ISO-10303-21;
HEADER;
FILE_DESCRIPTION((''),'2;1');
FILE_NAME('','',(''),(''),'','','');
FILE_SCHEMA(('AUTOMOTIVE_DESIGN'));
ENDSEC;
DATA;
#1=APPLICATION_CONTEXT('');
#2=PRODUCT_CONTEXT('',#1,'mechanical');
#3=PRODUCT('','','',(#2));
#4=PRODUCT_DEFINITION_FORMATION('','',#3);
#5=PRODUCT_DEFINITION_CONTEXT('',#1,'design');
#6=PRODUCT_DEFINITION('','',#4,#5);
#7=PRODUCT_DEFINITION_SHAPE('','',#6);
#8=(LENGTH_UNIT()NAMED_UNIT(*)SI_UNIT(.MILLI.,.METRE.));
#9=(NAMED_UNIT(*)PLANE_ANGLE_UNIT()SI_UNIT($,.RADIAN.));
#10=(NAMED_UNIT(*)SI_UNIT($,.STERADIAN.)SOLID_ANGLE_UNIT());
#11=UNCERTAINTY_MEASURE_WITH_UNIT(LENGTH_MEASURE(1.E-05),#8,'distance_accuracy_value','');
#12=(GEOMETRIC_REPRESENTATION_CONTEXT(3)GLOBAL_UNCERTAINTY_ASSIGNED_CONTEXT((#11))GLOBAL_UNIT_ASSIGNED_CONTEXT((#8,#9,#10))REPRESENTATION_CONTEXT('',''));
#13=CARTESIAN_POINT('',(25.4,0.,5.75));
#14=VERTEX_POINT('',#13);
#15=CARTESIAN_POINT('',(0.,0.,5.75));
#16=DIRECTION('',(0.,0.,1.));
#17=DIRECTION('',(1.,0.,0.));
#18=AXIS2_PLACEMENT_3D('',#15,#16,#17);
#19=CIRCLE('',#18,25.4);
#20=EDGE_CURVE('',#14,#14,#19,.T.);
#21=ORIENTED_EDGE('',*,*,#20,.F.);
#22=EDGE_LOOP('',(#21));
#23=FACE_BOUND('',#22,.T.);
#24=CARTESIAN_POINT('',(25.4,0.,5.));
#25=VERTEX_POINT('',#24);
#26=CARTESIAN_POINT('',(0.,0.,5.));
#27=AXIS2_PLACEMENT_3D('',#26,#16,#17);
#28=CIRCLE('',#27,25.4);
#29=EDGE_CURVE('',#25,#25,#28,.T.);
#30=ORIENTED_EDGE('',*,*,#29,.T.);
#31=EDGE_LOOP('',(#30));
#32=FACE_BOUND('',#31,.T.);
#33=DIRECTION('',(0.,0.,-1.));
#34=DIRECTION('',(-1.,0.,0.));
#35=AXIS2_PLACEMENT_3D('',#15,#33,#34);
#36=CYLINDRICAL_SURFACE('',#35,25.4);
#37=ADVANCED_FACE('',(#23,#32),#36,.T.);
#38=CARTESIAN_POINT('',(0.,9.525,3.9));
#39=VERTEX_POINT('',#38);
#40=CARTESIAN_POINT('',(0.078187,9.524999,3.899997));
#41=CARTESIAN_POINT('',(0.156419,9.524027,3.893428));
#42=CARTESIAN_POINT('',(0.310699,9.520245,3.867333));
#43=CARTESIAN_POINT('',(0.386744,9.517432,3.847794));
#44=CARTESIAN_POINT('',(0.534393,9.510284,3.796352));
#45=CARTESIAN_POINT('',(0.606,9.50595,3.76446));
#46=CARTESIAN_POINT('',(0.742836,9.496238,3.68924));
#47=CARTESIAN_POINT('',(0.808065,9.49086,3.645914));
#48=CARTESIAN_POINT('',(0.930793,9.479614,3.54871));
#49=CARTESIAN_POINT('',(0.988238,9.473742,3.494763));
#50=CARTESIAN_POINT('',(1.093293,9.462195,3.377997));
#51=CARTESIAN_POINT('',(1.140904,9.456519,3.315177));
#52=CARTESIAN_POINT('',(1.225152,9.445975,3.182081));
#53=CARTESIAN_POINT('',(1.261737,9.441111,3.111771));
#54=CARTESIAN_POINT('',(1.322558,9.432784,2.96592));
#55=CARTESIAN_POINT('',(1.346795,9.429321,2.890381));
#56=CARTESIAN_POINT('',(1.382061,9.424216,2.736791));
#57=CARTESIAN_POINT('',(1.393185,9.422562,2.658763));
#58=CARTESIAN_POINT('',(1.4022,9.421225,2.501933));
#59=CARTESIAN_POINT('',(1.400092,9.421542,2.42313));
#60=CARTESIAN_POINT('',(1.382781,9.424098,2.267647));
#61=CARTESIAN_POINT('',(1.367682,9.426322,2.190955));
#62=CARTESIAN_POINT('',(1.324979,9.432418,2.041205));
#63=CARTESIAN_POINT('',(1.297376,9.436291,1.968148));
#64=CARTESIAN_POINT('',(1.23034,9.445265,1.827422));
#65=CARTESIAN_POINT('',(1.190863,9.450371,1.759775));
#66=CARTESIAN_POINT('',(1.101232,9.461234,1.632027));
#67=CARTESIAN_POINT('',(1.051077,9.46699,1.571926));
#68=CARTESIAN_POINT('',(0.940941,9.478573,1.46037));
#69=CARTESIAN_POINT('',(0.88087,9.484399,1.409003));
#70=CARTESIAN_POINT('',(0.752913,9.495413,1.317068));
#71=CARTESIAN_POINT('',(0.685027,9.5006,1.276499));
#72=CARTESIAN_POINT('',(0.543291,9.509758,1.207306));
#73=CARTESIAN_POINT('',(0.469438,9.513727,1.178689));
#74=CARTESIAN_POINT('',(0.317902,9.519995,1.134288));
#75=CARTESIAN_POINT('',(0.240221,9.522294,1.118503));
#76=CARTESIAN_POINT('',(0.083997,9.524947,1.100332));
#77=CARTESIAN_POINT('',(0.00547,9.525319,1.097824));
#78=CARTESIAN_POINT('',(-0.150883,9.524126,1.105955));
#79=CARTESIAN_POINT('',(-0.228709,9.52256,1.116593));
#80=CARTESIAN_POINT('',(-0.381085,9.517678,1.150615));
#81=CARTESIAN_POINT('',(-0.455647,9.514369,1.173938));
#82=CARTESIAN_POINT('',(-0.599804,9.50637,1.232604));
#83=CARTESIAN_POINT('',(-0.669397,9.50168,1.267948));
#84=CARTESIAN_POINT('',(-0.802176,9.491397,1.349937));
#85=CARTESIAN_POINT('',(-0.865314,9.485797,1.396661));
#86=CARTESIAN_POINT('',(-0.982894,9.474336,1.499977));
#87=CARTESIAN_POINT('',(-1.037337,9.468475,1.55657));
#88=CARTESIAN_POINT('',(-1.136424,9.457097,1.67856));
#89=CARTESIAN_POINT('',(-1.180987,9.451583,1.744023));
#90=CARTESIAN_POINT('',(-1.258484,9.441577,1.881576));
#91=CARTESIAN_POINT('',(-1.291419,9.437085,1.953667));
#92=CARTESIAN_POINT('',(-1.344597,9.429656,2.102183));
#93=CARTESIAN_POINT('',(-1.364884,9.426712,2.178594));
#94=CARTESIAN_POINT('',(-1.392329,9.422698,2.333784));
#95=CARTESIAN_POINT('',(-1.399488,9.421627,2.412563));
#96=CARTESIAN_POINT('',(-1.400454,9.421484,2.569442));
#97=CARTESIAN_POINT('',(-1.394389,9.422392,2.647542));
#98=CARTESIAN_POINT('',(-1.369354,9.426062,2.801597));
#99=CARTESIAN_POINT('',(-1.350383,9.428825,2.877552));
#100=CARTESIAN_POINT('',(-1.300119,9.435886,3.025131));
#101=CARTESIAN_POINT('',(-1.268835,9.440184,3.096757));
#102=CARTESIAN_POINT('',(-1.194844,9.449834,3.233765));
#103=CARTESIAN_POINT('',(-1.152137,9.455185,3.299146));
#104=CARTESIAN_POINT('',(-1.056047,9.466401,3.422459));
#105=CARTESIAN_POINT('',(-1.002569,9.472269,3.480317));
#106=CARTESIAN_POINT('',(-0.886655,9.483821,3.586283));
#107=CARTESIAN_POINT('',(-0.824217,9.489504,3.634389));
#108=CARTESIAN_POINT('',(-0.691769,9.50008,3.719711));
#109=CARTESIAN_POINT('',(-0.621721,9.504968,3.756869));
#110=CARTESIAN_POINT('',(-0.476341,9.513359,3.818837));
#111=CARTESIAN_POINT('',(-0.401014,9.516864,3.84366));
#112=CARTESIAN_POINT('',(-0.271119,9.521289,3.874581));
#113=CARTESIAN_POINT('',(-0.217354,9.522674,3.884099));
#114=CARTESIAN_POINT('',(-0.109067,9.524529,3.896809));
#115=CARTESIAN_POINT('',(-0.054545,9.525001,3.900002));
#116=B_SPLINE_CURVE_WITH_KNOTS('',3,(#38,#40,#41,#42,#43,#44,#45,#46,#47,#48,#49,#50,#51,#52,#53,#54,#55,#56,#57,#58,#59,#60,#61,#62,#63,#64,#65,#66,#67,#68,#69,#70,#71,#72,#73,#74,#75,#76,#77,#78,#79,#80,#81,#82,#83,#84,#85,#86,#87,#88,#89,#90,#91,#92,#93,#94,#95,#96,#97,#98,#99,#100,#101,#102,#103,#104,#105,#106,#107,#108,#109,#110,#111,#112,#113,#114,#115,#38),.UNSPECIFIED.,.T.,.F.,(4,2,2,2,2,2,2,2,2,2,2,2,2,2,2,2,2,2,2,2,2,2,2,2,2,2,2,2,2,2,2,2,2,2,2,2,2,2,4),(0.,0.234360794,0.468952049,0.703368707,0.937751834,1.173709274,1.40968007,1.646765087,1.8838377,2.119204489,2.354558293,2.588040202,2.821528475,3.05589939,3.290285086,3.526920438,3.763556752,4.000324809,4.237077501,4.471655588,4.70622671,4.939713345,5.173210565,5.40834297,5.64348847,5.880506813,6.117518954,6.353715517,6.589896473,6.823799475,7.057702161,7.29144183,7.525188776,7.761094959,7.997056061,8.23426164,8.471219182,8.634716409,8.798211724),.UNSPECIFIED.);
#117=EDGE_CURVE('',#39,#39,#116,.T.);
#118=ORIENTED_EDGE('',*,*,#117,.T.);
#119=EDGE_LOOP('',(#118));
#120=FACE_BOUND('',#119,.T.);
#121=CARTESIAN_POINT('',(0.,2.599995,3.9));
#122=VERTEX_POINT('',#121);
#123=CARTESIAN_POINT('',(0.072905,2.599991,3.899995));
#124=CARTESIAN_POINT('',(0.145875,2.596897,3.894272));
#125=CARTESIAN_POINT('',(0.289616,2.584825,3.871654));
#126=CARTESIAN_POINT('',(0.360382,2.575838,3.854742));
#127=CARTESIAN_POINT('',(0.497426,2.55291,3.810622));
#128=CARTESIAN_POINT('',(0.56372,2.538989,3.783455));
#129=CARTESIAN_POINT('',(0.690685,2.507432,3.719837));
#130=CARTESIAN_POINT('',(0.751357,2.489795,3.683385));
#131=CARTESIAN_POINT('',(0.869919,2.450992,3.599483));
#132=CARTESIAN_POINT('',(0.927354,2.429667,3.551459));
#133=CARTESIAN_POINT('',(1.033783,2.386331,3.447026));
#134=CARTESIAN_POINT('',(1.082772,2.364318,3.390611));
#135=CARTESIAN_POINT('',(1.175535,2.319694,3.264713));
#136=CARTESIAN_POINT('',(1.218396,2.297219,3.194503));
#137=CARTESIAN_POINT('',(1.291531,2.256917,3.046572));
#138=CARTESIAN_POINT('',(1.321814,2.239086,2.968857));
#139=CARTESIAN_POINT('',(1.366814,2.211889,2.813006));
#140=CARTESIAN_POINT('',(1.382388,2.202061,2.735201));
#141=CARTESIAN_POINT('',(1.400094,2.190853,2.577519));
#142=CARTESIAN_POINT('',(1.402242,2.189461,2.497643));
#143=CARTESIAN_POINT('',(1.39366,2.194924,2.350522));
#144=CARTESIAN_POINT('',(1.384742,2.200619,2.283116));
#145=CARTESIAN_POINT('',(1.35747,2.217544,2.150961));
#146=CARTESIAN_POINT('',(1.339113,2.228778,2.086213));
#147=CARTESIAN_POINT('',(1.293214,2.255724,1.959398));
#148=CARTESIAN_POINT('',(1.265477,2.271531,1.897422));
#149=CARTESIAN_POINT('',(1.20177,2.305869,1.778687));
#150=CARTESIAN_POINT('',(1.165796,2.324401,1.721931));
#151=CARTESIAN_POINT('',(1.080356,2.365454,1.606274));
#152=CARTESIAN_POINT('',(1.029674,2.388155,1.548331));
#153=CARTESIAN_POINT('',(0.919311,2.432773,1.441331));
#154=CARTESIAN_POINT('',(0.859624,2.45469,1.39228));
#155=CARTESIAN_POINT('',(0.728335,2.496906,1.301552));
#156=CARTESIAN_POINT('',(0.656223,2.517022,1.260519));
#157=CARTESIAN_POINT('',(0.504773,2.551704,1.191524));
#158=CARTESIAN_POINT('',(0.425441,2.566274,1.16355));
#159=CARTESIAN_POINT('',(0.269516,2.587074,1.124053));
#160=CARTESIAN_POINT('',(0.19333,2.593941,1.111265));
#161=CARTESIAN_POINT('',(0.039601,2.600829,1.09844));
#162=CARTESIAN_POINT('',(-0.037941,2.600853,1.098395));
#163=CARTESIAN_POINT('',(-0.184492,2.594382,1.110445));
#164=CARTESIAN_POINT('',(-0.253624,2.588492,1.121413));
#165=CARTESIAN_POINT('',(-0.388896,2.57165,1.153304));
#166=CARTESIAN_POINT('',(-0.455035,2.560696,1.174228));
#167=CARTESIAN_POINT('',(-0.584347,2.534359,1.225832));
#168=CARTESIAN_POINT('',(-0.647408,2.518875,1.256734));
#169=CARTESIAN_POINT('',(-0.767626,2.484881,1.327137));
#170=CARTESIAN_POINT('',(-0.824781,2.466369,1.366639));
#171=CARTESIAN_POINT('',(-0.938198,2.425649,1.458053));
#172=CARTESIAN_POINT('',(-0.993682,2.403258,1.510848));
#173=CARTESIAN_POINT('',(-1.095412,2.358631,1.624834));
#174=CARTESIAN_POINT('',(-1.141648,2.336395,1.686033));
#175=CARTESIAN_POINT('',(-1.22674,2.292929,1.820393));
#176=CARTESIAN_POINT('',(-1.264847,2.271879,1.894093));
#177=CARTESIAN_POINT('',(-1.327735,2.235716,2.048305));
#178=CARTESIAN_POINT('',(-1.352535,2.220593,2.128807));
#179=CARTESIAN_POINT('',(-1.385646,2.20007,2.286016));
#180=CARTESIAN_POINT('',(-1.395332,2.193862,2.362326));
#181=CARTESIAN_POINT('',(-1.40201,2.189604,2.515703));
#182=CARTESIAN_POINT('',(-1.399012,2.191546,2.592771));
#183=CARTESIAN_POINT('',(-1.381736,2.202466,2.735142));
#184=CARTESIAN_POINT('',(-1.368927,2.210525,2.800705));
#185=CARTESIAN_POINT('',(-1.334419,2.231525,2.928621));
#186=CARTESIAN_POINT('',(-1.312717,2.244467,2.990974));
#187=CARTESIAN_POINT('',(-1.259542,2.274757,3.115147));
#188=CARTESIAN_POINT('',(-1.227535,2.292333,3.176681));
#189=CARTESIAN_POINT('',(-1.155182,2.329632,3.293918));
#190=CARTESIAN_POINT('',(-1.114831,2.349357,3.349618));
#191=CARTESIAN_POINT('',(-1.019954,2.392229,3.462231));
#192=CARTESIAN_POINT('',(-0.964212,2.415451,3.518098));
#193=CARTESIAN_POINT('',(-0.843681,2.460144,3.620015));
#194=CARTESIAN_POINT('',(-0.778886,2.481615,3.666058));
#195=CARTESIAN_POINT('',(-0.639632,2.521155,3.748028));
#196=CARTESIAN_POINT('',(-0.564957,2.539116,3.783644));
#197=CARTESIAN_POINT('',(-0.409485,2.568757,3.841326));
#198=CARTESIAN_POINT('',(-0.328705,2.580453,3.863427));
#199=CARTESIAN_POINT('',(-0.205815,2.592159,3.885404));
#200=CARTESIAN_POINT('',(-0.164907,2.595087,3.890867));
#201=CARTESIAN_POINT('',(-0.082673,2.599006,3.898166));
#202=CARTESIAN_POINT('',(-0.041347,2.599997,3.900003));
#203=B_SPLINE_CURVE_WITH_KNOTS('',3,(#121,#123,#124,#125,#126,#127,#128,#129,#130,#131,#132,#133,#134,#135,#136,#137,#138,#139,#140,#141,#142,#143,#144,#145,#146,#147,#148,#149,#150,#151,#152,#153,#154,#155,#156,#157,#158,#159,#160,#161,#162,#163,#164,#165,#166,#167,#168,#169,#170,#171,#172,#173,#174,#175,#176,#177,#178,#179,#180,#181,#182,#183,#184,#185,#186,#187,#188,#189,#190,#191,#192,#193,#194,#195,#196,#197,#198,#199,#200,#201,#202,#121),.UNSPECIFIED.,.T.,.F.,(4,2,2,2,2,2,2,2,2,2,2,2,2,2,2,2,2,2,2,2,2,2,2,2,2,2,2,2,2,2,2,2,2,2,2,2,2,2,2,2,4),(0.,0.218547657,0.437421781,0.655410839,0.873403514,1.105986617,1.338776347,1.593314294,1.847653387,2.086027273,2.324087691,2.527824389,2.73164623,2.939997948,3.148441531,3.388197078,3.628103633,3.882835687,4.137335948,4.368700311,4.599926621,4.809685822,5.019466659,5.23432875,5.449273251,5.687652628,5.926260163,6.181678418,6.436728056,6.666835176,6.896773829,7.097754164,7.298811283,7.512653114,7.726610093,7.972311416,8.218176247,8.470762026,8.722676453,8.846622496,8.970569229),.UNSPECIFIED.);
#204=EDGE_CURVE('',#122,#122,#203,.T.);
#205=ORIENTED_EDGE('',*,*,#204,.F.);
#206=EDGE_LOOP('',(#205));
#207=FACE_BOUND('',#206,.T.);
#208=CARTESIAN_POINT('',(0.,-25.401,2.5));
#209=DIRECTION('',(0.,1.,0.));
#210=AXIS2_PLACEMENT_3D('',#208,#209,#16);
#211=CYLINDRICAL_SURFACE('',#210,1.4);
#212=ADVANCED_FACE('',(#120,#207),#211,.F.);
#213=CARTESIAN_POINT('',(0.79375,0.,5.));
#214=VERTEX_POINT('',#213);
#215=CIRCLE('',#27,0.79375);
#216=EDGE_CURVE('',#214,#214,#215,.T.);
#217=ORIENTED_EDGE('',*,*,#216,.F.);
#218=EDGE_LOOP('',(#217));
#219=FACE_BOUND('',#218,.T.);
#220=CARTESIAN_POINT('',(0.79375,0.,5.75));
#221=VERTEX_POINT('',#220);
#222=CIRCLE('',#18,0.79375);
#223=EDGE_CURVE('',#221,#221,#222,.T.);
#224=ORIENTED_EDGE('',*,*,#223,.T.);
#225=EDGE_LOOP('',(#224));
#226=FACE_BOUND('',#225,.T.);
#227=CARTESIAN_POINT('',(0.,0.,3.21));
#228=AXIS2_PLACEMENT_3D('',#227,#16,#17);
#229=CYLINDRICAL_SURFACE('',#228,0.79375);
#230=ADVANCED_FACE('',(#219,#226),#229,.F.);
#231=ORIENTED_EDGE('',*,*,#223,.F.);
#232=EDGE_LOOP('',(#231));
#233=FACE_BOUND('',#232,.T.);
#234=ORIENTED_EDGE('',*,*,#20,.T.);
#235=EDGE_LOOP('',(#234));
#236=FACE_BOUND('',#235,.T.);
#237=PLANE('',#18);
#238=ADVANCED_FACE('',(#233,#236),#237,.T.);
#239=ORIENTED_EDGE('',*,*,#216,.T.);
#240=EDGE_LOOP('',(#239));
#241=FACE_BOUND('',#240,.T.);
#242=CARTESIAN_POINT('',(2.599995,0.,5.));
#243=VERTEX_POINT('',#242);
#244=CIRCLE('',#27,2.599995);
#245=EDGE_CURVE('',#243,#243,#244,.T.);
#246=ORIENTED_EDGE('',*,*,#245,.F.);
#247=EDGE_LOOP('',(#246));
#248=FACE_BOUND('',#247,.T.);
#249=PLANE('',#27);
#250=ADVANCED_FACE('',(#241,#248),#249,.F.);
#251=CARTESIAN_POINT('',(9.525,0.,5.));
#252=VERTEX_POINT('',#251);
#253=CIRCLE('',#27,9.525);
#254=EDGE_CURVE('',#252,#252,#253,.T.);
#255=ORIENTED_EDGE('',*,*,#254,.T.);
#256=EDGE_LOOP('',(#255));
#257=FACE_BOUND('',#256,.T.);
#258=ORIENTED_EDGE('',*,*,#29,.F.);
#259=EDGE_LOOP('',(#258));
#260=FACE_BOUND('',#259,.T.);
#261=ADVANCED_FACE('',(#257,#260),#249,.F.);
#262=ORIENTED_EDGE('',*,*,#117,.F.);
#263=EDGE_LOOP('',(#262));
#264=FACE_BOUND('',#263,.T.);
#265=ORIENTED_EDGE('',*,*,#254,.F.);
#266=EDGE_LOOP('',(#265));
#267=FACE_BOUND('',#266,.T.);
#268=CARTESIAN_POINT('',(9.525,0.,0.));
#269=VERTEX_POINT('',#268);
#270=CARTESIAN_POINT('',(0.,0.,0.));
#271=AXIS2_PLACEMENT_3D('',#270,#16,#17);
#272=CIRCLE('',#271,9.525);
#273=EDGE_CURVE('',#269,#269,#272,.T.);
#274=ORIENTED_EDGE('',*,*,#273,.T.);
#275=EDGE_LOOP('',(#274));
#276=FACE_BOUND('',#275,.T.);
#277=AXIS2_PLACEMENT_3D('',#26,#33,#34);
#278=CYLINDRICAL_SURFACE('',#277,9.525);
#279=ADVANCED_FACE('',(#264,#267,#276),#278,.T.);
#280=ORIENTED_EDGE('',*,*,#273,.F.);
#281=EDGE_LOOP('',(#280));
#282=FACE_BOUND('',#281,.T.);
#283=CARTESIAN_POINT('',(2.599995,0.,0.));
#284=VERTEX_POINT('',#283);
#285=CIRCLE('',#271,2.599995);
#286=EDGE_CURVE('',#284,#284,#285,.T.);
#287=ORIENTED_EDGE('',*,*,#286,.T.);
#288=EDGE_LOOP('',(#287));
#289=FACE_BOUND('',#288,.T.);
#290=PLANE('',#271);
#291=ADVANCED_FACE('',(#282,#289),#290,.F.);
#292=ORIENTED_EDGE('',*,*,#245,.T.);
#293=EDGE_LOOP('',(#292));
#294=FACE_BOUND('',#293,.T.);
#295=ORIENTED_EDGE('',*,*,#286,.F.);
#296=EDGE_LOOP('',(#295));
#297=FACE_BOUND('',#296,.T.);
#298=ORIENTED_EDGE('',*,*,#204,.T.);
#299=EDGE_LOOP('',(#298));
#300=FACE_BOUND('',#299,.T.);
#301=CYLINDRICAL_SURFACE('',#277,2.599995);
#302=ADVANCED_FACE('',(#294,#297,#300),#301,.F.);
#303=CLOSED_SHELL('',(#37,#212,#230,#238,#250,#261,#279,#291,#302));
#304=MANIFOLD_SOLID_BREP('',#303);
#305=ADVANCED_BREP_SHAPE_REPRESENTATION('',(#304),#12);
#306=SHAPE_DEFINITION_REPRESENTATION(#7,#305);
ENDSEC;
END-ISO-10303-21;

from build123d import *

# Parameters (mm, degrees)
SKETCH1_R               = 9.525
SKETCH1_R_2             = 2.599995
BOSS_EXTRUDE1_DEPTH     = 5
SKETCH2_R               = 25.4
BOSS_EXTRUDE2_DEPTH     = 0.75
SKETCH6_R               = 0.79375
CUT_EXTRUDE2_DEPTH      = 2.54
CUT_EXTRUDE3_REACH      = 45.566
CUT_EXTRUDE3_END_RADIUS = 2.599995
SKETCH7_R               = 1.4


with BuildPart() as part:
    # Sketch1 → Boss-Extrude1 (new body)
    with BuildSketch(Plane.XY):
        Circle(SKETCH1_R)
        Circle(SKETCH1_R_2, mode=Mode.SUBTRACT)
    extrude(amount=BOSS_EXTRUDE1_DEPTH)

    # Sketch2 → Boss-Extrude2 (add)
    with BuildSketch(Plane.XY.offset(5)):
        Circle(SKETCH2_R)
    extrude(amount=BOSS_EXTRUDE2_DEPTH)

    # Sketch6 → Cut-Extrude2 (cut)
    with BuildSketch(Plane.XY.offset(5.75)):
        Circle(SKETCH6_R)
    extrude(amount=-CUT_EXTRUDE2_DEPTH, mode=Mode.SUBTRACT)

    # Cut-Extrude3: up to this cylinder (the profile starts outside it)
    cut_extrude3_end = Plane(origin=(0, 0, 2.5), z_dir=(0, 0, -1)) * Cylinder(CUT_EXTRUDE3_END_RADIUS, 97.33199, mode=Mode.PRIVATE)
    # Sketch7 → Cut-Extrude3 (cut, up to the surface)
    with BuildSketch(Plane(origin=(0, 9.525, 0), x_dir=(1, 0, 0), z_dir=(0, 1, 0)), mode=Mode.PRIVATE) as cut_extrude3_sk1:
        with Locations(Location((0, -2.5, 0), (0, 0, 270))):
            Circle(SKETCH7_R)
    cut_extrude3_tool1 = extrude(cut_extrude3_sk1.sketch, amount=-CUT_EXTRUDE3_REACH, mode=Mode.PRIVATE) - cut_extrude3_end
    add(cut_extrude3_tool1.solids().sort_by_distance((0, 9.525, 2.5))[0], mode=Mode.SUBTRACT)


solid = part.part
